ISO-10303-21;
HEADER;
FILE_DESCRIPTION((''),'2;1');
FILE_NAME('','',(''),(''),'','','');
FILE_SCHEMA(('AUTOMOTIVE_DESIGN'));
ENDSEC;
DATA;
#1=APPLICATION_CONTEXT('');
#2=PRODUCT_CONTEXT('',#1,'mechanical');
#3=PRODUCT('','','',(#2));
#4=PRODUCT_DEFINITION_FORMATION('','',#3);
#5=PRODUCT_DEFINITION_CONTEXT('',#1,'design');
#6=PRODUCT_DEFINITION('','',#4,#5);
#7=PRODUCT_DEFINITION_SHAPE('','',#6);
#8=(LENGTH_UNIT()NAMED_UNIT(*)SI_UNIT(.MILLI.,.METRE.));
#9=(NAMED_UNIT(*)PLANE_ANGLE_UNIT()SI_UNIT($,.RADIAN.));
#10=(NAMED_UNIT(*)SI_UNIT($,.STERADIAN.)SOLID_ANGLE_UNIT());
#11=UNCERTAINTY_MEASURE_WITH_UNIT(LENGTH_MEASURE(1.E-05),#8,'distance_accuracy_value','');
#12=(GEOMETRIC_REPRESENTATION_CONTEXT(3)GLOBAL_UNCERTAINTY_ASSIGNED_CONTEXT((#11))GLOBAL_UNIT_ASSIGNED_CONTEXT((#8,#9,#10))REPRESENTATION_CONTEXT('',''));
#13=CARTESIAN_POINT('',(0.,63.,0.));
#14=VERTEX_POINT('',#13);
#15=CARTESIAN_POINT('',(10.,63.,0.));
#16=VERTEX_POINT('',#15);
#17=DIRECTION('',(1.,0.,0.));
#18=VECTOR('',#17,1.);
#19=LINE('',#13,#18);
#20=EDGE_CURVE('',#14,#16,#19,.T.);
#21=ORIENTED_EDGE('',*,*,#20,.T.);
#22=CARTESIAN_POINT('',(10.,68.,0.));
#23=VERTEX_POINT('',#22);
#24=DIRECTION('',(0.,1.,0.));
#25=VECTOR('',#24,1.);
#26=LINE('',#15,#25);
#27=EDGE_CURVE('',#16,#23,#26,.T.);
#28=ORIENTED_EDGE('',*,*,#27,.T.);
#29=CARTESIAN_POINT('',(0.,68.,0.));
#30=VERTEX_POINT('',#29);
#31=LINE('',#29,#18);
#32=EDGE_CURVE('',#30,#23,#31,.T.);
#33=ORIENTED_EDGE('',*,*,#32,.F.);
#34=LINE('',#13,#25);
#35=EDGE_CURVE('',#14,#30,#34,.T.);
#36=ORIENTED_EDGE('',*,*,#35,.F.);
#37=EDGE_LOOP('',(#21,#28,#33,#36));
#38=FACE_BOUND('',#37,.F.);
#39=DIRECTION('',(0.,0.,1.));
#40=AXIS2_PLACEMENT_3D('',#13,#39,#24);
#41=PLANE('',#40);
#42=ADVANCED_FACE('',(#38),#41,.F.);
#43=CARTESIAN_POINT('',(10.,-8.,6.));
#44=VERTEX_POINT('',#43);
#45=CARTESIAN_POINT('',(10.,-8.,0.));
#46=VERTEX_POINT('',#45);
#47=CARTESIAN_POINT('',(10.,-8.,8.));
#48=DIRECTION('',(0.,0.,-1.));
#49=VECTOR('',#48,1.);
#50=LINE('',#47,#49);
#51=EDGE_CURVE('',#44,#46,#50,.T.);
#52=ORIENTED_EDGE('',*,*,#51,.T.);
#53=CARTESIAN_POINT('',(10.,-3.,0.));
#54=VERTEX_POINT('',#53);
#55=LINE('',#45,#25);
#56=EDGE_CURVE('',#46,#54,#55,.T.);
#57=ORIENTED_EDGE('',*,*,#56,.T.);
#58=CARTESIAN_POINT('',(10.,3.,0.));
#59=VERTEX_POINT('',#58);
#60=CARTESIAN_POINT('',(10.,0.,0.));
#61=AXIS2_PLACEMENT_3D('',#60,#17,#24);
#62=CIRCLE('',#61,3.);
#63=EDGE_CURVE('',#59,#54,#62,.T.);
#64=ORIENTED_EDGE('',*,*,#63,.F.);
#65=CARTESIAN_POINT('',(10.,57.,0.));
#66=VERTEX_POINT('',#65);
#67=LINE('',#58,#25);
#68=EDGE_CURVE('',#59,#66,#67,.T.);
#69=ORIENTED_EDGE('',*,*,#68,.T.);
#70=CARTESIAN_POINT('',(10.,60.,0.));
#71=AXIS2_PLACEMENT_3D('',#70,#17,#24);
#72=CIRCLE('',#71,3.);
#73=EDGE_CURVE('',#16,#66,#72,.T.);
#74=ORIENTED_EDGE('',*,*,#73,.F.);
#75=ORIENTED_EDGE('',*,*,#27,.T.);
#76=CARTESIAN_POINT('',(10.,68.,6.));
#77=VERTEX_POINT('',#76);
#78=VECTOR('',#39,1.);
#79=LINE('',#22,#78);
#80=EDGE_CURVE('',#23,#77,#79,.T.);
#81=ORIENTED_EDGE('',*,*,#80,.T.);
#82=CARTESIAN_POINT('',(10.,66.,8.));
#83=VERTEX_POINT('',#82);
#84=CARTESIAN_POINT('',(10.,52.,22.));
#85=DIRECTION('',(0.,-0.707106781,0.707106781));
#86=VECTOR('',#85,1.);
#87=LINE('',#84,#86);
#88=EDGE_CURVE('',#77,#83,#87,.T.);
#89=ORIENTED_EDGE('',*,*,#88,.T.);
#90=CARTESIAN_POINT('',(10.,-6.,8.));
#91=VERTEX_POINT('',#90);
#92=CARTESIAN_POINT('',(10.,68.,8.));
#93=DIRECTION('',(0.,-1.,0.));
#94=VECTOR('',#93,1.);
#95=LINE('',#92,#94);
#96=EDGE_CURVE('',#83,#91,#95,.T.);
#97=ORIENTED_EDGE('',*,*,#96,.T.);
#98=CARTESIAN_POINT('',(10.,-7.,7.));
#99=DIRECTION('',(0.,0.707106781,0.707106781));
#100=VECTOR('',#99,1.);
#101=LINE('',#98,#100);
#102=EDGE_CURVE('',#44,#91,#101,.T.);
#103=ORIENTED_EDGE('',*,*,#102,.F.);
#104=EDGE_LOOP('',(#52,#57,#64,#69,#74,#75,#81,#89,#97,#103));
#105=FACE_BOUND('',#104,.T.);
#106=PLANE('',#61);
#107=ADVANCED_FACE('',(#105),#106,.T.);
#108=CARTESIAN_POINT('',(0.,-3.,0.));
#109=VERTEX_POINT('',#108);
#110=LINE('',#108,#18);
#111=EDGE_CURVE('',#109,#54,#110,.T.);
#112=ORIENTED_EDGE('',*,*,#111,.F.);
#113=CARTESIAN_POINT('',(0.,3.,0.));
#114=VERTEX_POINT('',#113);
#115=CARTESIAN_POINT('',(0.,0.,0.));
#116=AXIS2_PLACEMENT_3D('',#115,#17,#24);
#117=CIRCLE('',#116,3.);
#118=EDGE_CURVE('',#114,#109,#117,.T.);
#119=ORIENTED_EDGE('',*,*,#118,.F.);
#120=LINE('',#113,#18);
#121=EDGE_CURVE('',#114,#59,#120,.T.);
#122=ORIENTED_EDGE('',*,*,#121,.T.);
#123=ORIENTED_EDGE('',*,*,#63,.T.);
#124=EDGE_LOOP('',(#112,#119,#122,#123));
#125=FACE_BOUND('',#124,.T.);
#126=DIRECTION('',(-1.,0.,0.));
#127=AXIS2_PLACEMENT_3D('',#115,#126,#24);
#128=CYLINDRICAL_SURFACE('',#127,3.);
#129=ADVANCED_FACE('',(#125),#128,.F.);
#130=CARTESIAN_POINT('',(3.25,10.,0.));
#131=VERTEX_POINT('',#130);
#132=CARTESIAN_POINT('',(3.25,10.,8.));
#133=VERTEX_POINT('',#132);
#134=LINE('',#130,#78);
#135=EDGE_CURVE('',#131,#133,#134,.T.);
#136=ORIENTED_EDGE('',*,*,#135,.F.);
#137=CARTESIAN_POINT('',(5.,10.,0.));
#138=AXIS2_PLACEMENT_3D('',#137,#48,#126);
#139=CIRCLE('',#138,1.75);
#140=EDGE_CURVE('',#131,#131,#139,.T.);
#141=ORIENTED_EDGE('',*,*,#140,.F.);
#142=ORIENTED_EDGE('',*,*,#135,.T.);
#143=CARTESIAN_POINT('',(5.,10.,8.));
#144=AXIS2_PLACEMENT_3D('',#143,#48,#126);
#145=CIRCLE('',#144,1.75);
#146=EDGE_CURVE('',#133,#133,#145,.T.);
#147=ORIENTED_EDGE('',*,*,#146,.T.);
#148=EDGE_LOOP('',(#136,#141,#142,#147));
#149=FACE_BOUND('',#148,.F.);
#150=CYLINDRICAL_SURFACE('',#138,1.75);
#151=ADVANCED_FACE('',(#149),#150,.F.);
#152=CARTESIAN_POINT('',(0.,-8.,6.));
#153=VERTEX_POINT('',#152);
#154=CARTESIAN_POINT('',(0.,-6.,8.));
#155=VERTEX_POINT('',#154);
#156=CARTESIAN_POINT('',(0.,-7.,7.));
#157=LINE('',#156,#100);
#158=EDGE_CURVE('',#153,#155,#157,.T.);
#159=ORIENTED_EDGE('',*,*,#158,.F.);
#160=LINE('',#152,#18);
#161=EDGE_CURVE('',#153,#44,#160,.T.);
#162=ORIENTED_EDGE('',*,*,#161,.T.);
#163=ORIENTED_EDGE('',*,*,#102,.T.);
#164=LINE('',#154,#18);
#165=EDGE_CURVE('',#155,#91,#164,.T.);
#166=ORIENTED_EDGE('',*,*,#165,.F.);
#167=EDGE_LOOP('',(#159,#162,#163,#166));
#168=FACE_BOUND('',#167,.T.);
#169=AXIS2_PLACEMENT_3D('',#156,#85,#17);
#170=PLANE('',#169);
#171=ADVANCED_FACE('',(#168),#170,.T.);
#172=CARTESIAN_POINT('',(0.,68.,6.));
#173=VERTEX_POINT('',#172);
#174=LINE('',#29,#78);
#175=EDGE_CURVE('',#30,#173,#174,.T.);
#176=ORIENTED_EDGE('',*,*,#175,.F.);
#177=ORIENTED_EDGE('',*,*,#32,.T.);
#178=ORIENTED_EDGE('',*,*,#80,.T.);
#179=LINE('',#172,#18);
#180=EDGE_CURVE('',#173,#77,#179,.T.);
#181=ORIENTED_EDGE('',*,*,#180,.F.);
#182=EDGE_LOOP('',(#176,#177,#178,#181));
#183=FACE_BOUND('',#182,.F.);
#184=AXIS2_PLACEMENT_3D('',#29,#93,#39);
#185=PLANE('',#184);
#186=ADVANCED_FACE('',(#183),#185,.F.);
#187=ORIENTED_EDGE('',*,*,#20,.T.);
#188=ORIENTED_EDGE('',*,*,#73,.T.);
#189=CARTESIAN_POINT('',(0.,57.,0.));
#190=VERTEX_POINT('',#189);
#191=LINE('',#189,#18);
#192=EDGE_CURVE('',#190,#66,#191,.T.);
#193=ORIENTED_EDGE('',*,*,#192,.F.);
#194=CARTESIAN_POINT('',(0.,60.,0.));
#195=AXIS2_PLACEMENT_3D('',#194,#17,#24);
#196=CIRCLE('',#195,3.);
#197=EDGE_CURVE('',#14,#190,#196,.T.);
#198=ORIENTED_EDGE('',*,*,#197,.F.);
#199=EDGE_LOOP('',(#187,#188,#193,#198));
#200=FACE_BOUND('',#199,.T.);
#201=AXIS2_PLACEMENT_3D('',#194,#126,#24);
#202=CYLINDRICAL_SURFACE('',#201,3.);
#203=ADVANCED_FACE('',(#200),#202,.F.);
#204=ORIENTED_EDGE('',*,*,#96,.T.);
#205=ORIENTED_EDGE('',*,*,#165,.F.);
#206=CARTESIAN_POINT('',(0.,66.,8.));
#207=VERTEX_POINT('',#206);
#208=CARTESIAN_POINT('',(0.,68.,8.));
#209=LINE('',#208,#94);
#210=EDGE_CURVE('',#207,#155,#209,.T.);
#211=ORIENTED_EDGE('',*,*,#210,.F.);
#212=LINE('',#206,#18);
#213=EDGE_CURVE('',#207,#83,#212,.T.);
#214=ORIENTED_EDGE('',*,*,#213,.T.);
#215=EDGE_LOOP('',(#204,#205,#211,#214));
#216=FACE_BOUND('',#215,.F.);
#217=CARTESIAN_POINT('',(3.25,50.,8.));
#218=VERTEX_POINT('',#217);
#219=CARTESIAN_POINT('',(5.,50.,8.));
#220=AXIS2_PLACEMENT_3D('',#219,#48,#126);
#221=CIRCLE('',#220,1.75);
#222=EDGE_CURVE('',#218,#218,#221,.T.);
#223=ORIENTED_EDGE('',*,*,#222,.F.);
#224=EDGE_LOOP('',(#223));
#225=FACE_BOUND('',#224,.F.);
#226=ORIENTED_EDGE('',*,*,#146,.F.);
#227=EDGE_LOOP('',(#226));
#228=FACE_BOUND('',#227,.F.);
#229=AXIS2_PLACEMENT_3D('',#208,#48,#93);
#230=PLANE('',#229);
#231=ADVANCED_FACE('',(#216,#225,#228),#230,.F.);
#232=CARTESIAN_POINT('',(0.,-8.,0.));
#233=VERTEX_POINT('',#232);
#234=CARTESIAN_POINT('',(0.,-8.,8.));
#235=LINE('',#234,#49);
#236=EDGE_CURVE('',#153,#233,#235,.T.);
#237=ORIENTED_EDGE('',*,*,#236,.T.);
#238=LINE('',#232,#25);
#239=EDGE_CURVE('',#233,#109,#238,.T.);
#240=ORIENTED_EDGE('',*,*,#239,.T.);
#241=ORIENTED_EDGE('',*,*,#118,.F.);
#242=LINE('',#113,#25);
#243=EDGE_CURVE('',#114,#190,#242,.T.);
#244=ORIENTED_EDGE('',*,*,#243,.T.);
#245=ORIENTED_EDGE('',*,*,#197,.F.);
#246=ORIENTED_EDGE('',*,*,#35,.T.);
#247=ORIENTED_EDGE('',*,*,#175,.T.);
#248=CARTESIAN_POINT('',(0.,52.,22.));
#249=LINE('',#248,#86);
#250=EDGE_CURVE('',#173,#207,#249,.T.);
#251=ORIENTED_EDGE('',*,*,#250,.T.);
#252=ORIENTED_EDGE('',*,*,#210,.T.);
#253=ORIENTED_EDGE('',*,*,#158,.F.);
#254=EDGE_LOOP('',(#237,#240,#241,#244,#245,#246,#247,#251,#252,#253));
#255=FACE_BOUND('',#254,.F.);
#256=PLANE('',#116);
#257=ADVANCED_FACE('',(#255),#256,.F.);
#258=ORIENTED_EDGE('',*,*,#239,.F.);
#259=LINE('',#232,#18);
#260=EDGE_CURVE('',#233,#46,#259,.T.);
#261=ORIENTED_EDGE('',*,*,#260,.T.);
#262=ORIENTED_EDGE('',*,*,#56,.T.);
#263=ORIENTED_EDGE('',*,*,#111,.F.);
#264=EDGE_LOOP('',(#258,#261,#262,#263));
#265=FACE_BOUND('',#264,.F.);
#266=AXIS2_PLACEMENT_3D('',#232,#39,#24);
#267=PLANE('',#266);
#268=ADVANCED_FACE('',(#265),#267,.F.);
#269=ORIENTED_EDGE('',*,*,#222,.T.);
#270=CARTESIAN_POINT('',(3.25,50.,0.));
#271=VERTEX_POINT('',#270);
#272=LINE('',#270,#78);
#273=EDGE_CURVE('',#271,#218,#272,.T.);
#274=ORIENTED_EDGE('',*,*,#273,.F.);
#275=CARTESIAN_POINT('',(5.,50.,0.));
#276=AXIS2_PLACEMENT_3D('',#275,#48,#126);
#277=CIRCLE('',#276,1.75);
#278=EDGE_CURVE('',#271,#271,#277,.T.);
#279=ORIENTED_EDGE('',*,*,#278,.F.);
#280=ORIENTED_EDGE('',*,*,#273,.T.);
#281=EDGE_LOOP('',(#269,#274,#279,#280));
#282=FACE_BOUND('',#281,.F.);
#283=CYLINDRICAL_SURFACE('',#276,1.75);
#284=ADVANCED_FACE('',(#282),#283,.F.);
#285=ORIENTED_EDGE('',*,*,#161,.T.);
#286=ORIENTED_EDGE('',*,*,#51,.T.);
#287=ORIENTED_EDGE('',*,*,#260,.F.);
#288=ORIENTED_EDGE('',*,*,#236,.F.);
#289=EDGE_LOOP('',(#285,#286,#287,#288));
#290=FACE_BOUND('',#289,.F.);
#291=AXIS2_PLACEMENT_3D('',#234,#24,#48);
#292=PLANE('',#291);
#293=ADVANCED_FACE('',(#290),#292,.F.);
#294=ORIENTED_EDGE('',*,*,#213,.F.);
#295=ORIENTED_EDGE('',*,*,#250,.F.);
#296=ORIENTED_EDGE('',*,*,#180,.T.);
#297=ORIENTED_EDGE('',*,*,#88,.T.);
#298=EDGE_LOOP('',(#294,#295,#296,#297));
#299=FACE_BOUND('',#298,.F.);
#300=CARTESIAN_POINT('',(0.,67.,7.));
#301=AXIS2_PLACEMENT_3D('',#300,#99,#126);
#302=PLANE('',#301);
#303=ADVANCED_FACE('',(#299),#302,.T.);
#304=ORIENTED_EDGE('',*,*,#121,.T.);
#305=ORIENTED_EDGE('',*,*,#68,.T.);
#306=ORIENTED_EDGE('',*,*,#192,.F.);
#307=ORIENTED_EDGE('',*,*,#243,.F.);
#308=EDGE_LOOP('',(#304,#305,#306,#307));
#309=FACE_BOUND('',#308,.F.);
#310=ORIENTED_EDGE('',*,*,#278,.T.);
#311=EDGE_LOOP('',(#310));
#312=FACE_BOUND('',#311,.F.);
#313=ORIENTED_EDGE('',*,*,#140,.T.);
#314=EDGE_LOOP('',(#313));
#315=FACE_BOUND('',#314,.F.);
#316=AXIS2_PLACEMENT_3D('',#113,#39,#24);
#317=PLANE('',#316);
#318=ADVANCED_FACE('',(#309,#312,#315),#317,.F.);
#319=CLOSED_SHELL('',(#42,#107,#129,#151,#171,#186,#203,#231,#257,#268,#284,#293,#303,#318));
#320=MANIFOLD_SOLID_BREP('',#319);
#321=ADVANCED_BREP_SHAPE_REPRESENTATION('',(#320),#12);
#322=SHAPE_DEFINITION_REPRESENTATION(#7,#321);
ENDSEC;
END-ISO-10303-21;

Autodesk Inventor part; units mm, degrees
ref_plane "YZ Plane" through (0, 0, 0) normal (1, 0, 0) x (0, 1, 0)
ref_plane "XZ Plane" through (0, 0, 0) normal (0, 1, 0) x (-1, 0, 0)
ref_plane "XY Plane" through (0, 0, 0) normal (0, 0, 1) x (1, 0, 0)
sketch "Szkic1" plane through (0, 0, 0) normal (1, 0, 0) x (0, 1, 0)
  circle A0 centre (0, 0) radius 3 construction
  circle A1 centre (60, 0) radius 3 construction
  arc A2 (63, 0) -> (57, 0) centre (60, 0) ccw
  arc A3 (3, 0) -> (-3, 0) centre (0, 0) ccw
  line L0 (68, 0) -> (68, 8)
  line L1 (68, 8) -> (-8, 8)
  line L2 (-8, 8) -> (-8, 0)
  line L3 (63, 0) -> (68, 0)
  line L4 (-8, 0) -> (-3, 0)
  line L5 (3, 0) -> (57, 0)
  point P0 (-5.5, 0)
  dimension "d0" = 6
  dimension "d1" = 6
  dimension "d2" = 60
  dimension "d3" = 6
  dimension "d4" = 5
  dimension "d5" = 8
extrude "Wyciągnięcie proste1" add sketch "Szkic1" along normal blind 10
sketch "Szkic2" plane through (0, 3, 0) normal (0, 0, -1) x (-1, 0, 0)
  line L0 (0, 65) -> (-10, 65) construction
  line L1 (-5, 65) -> (-5, -11.1641) construction
  line L2 (-10, 65) -> (-10, -11) construction
  line L3 (-10, 27) -> (0, 27) construction
  line L4 (0, 65) -> (0, -11) construction
  circle A0 centre (-5, 47) radius 1.75
  circle A1 centre (-5, 7) radius 1.75
  circle A2 centre (-5, 37) radius 1.75
  circle A3 centre (-5, 17) radius 1.75
  point P0 (0, -3)
  dimension "d8" = 3.5
  dimension "d9" = 20
  dimension "d15" = 3.5
  dimension "d16" = 10
extrude "Wyciągnięcie proste2" cut sketch "Szkic2" against normal up to next contours A0 | A1
chamfer "Faza1" distance 2 angle 45 2 edges at (5, 68, 8) (5, -8, 8)
ref_plane "Płaszczyzna konstrukcyjna1" through (5, 68, 6) normal (0, 1, 0) x (1, 0, 0)
sketch "Szkic3" plane through (5, 68, 6) normal (0, 1, 0) x (1, 0, 0)
  point P0 (-5, 6)
sketch "Szkic4" plane through (5, 68, 6) normal (0, 1, 0) x (1, 0, 0)
  line L0 (29.238, 4.1877) -> (10.4797, -9.1212)
  line L1 (11.1628, -10.084) -> (10.4797, -9.1212)
  line L2 (13.5481, -13.4459) -> (11.1628, -10.084)
  line L3 (29.9211, 3.2248) -> (29.238, 4.1877)
  line L4 (29.9211, 3.2248) -> (32.3064, -0.1371)
  point P0 (-5, 6)
ref_plane "Płaszczyzna konstrukcyjna2" through (17.8649, 60.2933, 18.4831) normal (-0.5693, 0.1792, -0.8024) x (0.1037, 0.9838, 0.1462)
ref_plane "Płaszczyzna konstrukcyjna3" through (26.0515, 48.9795, 10.1477) normal (-0.5693, 0.1792, -0.8024) x (0.8156, 0, -0.5786)
sketch "Szkic5" plane through (26.0515, 48.9795, 10.1477) normal (-0.5693, 0.1792, -0.8024) x (0.8156, 0, -0.5786)
  line L0 (11.5, -11.5) -> (11.5, 11.5) construction
  line L1 (11.5, 11.5) -> (-11.5, 11.5) construction
  line L2 (-11.5, 11.5) -> (-11.5, -11.5) construction
  line L3 (-11.5, -11.5) -> (11.5, -11.5) construction
  line L4 (-11.5, 11.5) -> (18.547, 11.5)
  line L5 (18.547, 11.5) -> (18.547, -17.121)
  line L6 (18.547, -17.121) -> (-11.5, -17.121)
  line L7 (-11.5, -17.121) -> (-11.5, 11.5)
  circle A0 centre (14.589, 7.796) radius 1.45
  line L8 (18.547, -17.121) -> (-11.5, 11.5) construction
  circle A1 centre (-6.5329, -14.3782) radius 1.45
  point P0 (-15.3751, 52.3715)
  dimension "d17" = 30.047
  dimension "d18" = 2.9
  dimension "d19" = 3.704
  dimension "d20" = 3.958
  dimension "d21" = 28.621
extrude "Wyciągnięcie proste3" [suppressed]
sketch "Szkic6" plane through (18.5909, 67.18, 19.5063) normal (0.1037, 0.9838, 0.1462) x (0.8156, 0, -0.5786)
  line L0 (0, 0) -> (30, 0) projected
  line L1 (30, 0) -> (30, 4) projected
  line L2 (0, 4) -> (30, 4) projected
  line L3 (0, 0) -> (0, 4) projected
  line L4 (2, 7) -> (26.5831, 7)
  line L5 (26.5831, 7) -> (26.5831, 10)
  line L6 (26.5831, 10) -> (0, 10)
  line L7 (0, 10) -> (0, 4)
  arc A0 (2, 7) -> (2, 4) centre (2, 5.5) ccw
  point P0 (-3.8751, 14.1945)
  dimension "d24" = 3
  dimension "d25" = 2.042
  dimension "d26" = 3.062
extrude "Wyciągnięcie proste4" [suppressed]
sketch "Szkic7" plane through (34.5787, 68.9722, -3.8997) normal (-0.5693, 0.1792, -0.8024) x (-0.8156, 0, 0.5786)
  line L0 (26.5831, -27.9454) -> (26.3218, -30) projected
  line L1 (26.5831, 0) -> (26.5831, -27.9454) projected
  line L2 (0, 0) -> (26.5831, 0) projected
  line L3 (0, 0) -> (0, -30) projected
  line L4 (0, -30) -> (26.3218, -30) projected
  line L5 (0, -20) -> (0, -10)
  line L6 (0, 0) -> (0, -30) projected
  line L7 (26.5831, 0) -> (26.5831, -26.8739)
  circle A0 centre (4, -15) radius 1.45
  line L8 (26.5831, 0) -> (26.5831, -30)
  line L9 (26.5831, -30) -> (21.5831, -30)
  line L10 (-3.4169, -30) -> (24.5831, -30) projected
  line L11 (21.5831, -30) -> (0, -20)
  line L12 (0, -10) -> (21.5831, 0)
  line L13 (26.5831, 0) -> (21.5831, 0)
  line L14 (21.5831, -30) -> (26.5831, -30)
  point P0 (30.4582, -70.8715)
  point P1 (0, -15)
  point P2 (0, -10)
  point P3 (21.5831, -30)
  dimension "d29" = 11.638
  dimension "d32" = 2.9
  dimension "d33" = 6.646
  dimension "d34" = 3.439
extrude "Wyciągnięcie proste5" [suppressed]
sketch "Szkic11" plane through (10, 0, 0) normal (1, 0, 0) x (0, 0, -1)
  line L0 (6.8231, 49.296) -> (-4.2042, 39.4579) projected
  line L1 (-4.2042, 39.4579) -> (-6.9463, 39.4579) projected
  line L2 (-7.3978, 41.4793) -> (-6.9463, 39.4579) projected
  line L3 (-11.4825, 68.9722) -> (-7.3978, 41.4793) projected
  line L4 (-8.5893, 68.9722) -> (-11.4825, 68.9722) projected
  line L5 (-8.5893, 68.9722) -> (5.3614, 59.1341) projected
  line L6 (5.3614, 59.1341) -> (6.8231, 49.296) projected
  ellipse E0 centre (3.7776, 54.2151) end of major axis (4.0937, 52.7999) minor radius 0.8255 projected
  line L7 (0, 3) -> (0, 57) projected
  line L8 (-8, 66) -> (-8, -6) projected
  line L9 (0, 43.2088) -> (0, 62.915)
  line L10 (0, 62.915) -> (-6.5007, 67.4993)
  line L11 (-6.5007, 67.4993) -> (-8, 66)
  line L12 (-8, 66) -> (-8, 45.5327)
  point P0 (0, 0)
  point P1 (0, 0)
  point P2 (0, 0)
  point P3 (0, 0)
  point P4 (0, 0)
extrude "Wyciągnięcie proste8" [suppressed]
sketch "Szkic8" plane through (10, 0, 0) normal (1, 0, 0) x (0, 0, -1)
  line L0 (-2.1469, 67.18) -> (2.2382, 37.6657) projected
  line L1 (2.2382, 37.6657) -> (5.4477, 38.3826) projected
  line L2 (1.0626, 67.8969) -> (5.4477, 38.3826) projected
  line L3 (-2.1469, 67.18) -> (1.0626, 67.8969) projected
  line L4 (1, 2.8284) -> (1, 57.1716)
  line L5 (5.3614, 59.1341) -> (6.8231, 49.296) projected
  arc A0 (0, 63) -> (0, 57) centre (0, 60) ccw projected
  line L6 (9.8159, 60) -> (9.8159, 68.4413)
  line L7 (9.8159, 68.4413) -> (-3.5, 68.4413)
  line L8 (-3.5, 68.4413) -> (-3.5, 60)
  line L9 (0, 56.5) -> (9.8159, 56.5)
  line L10 (9.8159, 56.5) -> (9.8159, 60)
  arc A1 (-3.5, 60) -> (0, 56.5) centre (0, 60) ccw
  point P0 (0, 0)
  dimension "d42" = 3.5
extrude "Wyciągnięcie proste6" [suppressed]
sketch "Szkic12" plane through (17.091, 68.1657, 13.9359) normal (0.1037, 0.9838, 0.1462) x (0.8156, 0, -0.5786)
  line L0 (20.9791, -1.5) -> (18.9515, -1.5) projected
  line L1 (26.5257, -5.5) -> (20.9791, -1.5) projected
  line L2 (24.6821, -5.5) -> (26.5257, -5.5) projected
  line L3 (18.9515, -1.5) -> (24.6821, -5.5) projected
  line L4 (28, -5.5) -> (-2, -5.5) projected
  line L5 (18.9515, -1.5) -> (28, -1.5)
  line L6 (28, -1.5) -> (28, -5.5)
  line L7 (28, -5.5) -> (18.9515, -5.5)
  line L8 (18.9515, -5.5) -> (18.9515, -1.5)
  point P0 (-5.8751, 8.6945)
  point P1 (18.9515, -5.5)
extrude "Wyciągnięcie proste9" [suppressed]
sketch "Szkic13" plane through (0, 0, 0) normal (-1, 0, 0) x (0, 0, 1)
  line L0 (6.5007, 67.4993) -> (8, 66) projected
  line L1 (8, 66) -> (8, 45.5327) projected
  line L2 (11.4825, 68.9722) -> (8, 45.5327) projected
  line L3 (8.5893, 68.9722) -> (11.4825, 68.9722) projected
  line L4 (8.5893, 68.9722) -> (6.5007, 67.4993) projected
  line L5 (63.0199, 65.5599) -> (-3.0201, 65.5599)
  line L6 (15.1212, 37.6657) -> (19.5063, 67.18) projected
  line L7 (19.5063, 67.18) -> (11.4825, 68.9722) projected
  line L8 (11.4825, 68.9722) -> (8, 45.5327) projected
  line L9 (8, 45.5327) -> (7.3978, 41.4793) projected
  line L10 (7.3978, 39.3909) -> (7.3978, 41.4793) projected
  line L11 (15.1212, 37.6657) -> (7.3978, 39.3909) projected
  line L12 (8, -6) -> (6, -8) projected
  line L13 (8, 66) -> (8, -6) projected
  line L14 (6, 68) -> (8, 66) projected
  line L15 (0, 68) -> (6, 68) projected
  line L16 (0, 63) -> (0, 68) projected
  arc A0 (0, 57) -> (0, 63) centre (0, 60) ccw projected
  line L17 (0, 3) -> (0, 57) projected
  arc A1 (0, -3) -> (0, 3) centre (0, 0) ccw projected
  line L18 (0, -8) -> (0, -3) projected
  line L19 (6, -8) -> (0, -8) projected
  line L20 (8, 66) -> (8, -6) projected
  line L21 (8, 39.2563) -> (0, 39.2563)
  line L22 (0, 3) -> (0, 57) projected
  point P0 (8, 39.2563)
extrude "Wyciągnięcie proste10" [suppressed]
sketch "Szkic14" plane through (10.4273, 45.5327, 8) normal (0.8156, 0, -0.5786) x (-0.5786, 0, -0.8156)
  point P0 (12.5583, -45.5327)
sketch "Szkic15" plane through (10.4273, 45.5327, 8) normal (0.8156, 0, -0.5786) x (-0.5786, 0, -0.8156)
  line L0 (-4.27, 23.4395) -> (0, 0) projected
  line L1 (0, 20.4673) -> (0, 0) projected
  line L2 (1.8383, 21.9666) -> (0, 20.4673) projected
  line L3 (1.8383, 21.9666) -> (-0.7226, 23.4395) projected
  line L4 (-0.7226, 23.4395) -> (-4.27, 23.4395) projected
  point P0 (12.5583, -45.5327)
sketch "Szkic16" plane through (0, 68, 0) normal (0, 1, 0) x (1, 0, 0)
  line L0 (0, 0) -> (43.9824, 0)
  line L1 (43.9824, 0) -> (43.9824, -26.4065)
  line L2 (43.9824, -26.4065) -> (0, -26.4065)
  line L3 (0, -26.4065) -> (0, 0)
extrude "Wyciągnięcie proste11" [suppressed]
sketch "Szkic17" plane through (0, 67, 0) normal (0, 1, 0) x (1, 0, 0)
  point P0 (0, 0)
sketch "Szkic18" plane through (0, 67, 0) normal (0, 1, 0) x (1, 0, 0)
  line L0 (20.2969, -5.7927) -> (21.0993, -8.9622) projected
  line L1 (20.2969, -5.7927) -> (11.6216, -12.236)
  line L2 (11.6216, -12.236) -> (8.0042, -6.3815)
  line L3 (8.0042, -6.3815) -> (20.2969, -5.7927)
  point P0 (0, 0)
extrude "Wyciągnięcie proste12" [suppressed]
sketch "Szkic19" plane through (0, 67, 0) normal (0, 1, 0) x (1, 0, 0)
  point P0 (0, 0)
properties part number "6_2xclamp_main"
